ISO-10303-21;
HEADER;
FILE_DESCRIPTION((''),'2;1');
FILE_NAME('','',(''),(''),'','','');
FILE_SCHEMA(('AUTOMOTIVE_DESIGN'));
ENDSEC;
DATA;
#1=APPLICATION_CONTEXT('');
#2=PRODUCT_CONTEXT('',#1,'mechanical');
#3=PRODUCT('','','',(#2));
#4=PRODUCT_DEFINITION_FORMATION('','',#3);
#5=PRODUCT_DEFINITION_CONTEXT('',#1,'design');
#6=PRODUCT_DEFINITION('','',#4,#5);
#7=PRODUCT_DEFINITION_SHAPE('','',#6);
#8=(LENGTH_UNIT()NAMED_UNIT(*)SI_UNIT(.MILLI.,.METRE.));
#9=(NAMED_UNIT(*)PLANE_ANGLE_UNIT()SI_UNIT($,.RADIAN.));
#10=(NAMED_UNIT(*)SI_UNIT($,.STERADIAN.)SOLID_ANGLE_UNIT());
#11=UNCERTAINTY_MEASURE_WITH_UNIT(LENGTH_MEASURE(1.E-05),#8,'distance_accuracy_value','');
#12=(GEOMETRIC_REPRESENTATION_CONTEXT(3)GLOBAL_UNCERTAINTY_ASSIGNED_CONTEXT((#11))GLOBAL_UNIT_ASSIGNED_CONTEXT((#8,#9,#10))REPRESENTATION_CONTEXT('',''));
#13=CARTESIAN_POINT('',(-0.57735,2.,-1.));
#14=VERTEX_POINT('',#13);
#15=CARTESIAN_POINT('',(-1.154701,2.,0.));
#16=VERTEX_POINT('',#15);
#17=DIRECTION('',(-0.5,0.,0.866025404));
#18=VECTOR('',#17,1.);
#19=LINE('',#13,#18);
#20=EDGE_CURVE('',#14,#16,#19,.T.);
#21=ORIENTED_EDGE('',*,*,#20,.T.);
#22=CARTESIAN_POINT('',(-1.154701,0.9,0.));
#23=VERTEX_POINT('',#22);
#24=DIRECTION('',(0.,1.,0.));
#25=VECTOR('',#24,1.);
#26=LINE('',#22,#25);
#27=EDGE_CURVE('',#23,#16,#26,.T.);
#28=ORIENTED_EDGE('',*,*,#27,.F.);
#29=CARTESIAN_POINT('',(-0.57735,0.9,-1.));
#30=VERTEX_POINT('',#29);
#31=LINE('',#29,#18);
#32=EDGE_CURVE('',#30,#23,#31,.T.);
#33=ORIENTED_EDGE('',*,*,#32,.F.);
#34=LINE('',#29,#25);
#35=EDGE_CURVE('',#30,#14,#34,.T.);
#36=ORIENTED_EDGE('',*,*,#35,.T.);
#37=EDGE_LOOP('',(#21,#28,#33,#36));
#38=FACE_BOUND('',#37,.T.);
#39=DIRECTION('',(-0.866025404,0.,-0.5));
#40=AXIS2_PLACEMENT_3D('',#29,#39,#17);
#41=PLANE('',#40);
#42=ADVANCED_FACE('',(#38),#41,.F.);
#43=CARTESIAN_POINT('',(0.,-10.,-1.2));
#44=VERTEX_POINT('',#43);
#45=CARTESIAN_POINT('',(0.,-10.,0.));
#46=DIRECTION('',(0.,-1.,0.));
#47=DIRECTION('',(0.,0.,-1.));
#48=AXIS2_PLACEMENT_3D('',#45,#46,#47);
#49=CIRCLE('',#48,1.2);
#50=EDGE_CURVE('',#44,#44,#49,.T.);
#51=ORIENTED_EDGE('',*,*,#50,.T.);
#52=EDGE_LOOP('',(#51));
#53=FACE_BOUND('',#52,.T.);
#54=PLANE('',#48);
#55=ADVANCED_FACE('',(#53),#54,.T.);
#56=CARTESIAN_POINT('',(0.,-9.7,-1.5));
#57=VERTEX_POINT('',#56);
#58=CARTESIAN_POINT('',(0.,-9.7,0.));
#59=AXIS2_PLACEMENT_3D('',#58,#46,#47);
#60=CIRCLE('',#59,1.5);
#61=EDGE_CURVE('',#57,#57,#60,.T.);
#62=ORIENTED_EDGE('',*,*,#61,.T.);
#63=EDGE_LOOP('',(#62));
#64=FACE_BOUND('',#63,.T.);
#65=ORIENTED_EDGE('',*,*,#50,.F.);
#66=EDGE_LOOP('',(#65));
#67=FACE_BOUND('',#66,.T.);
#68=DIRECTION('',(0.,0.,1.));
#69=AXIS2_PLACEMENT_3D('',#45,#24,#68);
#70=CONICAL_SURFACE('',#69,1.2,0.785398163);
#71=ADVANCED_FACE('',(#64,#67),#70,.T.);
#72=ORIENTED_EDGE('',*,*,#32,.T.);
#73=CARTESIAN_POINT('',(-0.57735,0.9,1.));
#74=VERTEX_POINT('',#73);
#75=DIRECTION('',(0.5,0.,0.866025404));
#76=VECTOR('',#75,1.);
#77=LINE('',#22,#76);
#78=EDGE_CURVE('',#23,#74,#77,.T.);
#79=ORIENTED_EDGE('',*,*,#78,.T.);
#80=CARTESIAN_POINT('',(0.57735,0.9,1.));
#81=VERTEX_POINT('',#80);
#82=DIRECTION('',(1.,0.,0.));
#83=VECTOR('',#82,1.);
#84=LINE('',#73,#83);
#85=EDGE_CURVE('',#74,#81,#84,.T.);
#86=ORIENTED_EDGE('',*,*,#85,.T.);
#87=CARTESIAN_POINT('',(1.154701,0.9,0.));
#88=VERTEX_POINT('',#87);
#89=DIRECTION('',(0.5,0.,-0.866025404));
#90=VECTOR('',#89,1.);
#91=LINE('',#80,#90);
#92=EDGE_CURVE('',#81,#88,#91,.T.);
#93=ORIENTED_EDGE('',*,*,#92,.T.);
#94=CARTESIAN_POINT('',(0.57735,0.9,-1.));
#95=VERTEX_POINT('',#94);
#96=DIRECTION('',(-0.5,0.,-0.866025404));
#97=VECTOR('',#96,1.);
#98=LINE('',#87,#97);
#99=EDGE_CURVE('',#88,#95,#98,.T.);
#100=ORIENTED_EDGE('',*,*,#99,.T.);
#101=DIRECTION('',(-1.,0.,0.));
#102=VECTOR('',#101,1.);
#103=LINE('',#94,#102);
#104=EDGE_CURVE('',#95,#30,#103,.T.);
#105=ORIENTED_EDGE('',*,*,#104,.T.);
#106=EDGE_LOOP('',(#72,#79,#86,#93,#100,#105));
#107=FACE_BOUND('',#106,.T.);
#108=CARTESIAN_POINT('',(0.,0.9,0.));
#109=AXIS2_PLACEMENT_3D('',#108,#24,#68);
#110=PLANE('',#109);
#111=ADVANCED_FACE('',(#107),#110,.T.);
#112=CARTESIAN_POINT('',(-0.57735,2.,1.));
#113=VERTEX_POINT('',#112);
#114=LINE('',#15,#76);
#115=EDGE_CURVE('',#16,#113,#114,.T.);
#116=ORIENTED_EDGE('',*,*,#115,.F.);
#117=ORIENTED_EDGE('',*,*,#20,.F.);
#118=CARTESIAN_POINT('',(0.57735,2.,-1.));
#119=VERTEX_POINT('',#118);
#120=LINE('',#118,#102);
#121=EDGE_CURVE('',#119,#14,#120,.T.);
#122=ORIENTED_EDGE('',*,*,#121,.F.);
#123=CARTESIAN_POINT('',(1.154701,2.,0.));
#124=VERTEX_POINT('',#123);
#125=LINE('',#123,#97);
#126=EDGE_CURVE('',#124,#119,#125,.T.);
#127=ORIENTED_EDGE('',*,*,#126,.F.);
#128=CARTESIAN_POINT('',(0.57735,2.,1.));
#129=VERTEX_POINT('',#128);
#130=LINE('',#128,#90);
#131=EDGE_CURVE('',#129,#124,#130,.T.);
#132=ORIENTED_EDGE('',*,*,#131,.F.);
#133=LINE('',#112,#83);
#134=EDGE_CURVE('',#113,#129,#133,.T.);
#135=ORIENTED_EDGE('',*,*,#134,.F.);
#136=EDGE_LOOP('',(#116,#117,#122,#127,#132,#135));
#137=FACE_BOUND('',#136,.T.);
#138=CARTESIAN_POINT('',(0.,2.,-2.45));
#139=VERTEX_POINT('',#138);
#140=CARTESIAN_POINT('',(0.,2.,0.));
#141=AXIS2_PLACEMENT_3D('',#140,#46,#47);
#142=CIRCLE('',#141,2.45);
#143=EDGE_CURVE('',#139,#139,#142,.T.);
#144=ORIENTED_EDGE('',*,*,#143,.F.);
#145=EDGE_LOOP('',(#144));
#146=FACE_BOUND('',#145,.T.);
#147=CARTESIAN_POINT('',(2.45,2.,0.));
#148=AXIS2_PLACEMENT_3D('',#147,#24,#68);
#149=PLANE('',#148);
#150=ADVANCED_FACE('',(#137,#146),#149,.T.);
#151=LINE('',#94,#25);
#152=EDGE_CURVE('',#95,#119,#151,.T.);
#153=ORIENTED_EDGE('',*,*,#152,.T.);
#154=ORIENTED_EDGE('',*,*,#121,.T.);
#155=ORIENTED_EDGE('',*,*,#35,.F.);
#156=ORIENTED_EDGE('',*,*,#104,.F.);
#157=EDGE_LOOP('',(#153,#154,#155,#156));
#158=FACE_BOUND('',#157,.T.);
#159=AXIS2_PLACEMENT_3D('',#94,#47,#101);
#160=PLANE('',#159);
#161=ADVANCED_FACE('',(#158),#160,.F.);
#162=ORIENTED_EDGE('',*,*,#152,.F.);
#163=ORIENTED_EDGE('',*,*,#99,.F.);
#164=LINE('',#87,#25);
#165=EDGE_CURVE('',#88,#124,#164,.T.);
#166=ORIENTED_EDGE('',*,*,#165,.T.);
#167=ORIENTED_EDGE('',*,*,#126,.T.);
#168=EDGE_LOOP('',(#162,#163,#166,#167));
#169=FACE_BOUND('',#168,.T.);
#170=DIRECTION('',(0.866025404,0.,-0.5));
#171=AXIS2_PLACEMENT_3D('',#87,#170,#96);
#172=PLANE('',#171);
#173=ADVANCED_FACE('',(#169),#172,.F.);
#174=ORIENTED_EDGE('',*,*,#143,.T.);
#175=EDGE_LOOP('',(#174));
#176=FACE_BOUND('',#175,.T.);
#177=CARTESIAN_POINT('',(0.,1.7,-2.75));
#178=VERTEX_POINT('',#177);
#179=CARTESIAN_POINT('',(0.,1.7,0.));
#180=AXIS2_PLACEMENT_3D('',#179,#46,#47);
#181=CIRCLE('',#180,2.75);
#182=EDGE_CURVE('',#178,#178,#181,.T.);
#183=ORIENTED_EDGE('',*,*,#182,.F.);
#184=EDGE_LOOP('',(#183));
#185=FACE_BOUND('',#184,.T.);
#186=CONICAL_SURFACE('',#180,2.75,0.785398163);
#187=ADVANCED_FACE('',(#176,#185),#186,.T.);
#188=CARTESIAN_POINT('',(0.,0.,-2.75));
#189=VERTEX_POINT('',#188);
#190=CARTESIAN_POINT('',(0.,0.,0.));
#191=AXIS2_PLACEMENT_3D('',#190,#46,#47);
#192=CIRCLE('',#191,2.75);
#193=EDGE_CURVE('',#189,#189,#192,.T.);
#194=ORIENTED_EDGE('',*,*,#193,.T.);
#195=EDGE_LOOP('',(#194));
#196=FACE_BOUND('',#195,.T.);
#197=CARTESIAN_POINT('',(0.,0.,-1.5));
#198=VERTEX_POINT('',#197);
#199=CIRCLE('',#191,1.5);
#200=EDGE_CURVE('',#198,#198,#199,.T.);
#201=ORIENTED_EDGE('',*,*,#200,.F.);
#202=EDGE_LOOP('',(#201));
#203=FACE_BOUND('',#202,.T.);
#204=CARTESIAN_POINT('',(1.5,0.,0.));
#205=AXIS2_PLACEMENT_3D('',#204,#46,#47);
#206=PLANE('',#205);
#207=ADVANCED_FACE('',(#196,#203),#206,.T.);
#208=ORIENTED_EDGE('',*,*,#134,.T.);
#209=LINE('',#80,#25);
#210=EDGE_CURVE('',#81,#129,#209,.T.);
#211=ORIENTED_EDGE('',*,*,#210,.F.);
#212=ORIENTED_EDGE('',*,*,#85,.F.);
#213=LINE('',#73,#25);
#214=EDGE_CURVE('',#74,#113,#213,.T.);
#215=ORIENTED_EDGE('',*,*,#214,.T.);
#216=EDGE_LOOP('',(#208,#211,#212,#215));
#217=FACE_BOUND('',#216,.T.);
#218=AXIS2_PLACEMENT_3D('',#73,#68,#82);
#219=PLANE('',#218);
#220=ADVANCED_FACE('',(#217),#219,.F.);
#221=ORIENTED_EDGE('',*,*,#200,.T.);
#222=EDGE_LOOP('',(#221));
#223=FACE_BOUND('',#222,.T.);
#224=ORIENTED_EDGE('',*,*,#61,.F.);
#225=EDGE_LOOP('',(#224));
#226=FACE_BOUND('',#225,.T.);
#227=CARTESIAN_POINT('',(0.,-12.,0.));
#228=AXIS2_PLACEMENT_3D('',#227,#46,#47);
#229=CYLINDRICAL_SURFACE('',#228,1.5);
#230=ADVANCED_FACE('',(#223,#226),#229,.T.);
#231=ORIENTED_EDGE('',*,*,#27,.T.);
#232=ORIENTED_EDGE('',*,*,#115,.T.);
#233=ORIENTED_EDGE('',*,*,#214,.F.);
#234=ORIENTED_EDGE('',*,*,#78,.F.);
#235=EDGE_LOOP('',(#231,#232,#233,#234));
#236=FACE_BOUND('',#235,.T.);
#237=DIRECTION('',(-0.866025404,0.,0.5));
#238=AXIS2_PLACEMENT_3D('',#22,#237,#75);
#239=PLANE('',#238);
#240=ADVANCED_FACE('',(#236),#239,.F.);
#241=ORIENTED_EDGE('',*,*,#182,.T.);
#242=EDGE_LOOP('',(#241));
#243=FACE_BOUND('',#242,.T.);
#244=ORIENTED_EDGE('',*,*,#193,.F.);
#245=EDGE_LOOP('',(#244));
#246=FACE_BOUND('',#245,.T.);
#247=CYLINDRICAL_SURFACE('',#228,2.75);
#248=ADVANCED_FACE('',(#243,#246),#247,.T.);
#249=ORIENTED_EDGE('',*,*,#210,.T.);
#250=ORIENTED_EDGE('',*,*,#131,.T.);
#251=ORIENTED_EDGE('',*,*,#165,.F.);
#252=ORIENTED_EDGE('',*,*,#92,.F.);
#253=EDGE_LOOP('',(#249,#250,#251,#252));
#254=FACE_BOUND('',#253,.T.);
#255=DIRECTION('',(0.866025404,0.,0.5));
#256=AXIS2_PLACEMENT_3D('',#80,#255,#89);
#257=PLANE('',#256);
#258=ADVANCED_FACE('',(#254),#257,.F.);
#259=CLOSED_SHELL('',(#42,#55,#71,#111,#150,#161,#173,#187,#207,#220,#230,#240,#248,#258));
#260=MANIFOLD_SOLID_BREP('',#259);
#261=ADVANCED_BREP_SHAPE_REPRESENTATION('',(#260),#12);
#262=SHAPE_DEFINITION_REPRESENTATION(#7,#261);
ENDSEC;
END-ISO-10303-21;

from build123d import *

# Parameters (mm, degrees)
CUT_EXTRUDE_322_DEPTH = 1.1


with BuildPart() as part:
    # Sketch 184 → Revolve 223 (revolve)
    with BuildSketch(Plane.XY, mode=Mode.PRIVATE) as revolve_223_sk:
        Polygon((0, -10), (1.2, -10), (1.5, -9.7), (1.5, 0), (2.75, 0), (2.75, 1.7), (2.45, 2), (0, 2), align=None)
    revolve(revolve_223_sk.sketch.rotate(Axis((0, -12, 0), (0, 1, 0)), 90), axis=Axis((0, -12, 0), (0, 1, 0)))

    # Sketch 274 → Cut-Extrude 322 (cut)
    with BuildSketch(Plane(origin=(0, 2, 0), x_dir=(1, 0, 0), z_dir=(0, 1, 0))):
        Polygon((1.154700538, 0), (0.577350269, 1), (-0.577350269, 1), (-1.154700538, 0), (-0.577350269, -1), (0.577350269, -1), align=None)
    extrude(amount=-CUT_EXTRUDE_322_DEPTH, mode=Mode.SUBTRACT)


solid = part.part
